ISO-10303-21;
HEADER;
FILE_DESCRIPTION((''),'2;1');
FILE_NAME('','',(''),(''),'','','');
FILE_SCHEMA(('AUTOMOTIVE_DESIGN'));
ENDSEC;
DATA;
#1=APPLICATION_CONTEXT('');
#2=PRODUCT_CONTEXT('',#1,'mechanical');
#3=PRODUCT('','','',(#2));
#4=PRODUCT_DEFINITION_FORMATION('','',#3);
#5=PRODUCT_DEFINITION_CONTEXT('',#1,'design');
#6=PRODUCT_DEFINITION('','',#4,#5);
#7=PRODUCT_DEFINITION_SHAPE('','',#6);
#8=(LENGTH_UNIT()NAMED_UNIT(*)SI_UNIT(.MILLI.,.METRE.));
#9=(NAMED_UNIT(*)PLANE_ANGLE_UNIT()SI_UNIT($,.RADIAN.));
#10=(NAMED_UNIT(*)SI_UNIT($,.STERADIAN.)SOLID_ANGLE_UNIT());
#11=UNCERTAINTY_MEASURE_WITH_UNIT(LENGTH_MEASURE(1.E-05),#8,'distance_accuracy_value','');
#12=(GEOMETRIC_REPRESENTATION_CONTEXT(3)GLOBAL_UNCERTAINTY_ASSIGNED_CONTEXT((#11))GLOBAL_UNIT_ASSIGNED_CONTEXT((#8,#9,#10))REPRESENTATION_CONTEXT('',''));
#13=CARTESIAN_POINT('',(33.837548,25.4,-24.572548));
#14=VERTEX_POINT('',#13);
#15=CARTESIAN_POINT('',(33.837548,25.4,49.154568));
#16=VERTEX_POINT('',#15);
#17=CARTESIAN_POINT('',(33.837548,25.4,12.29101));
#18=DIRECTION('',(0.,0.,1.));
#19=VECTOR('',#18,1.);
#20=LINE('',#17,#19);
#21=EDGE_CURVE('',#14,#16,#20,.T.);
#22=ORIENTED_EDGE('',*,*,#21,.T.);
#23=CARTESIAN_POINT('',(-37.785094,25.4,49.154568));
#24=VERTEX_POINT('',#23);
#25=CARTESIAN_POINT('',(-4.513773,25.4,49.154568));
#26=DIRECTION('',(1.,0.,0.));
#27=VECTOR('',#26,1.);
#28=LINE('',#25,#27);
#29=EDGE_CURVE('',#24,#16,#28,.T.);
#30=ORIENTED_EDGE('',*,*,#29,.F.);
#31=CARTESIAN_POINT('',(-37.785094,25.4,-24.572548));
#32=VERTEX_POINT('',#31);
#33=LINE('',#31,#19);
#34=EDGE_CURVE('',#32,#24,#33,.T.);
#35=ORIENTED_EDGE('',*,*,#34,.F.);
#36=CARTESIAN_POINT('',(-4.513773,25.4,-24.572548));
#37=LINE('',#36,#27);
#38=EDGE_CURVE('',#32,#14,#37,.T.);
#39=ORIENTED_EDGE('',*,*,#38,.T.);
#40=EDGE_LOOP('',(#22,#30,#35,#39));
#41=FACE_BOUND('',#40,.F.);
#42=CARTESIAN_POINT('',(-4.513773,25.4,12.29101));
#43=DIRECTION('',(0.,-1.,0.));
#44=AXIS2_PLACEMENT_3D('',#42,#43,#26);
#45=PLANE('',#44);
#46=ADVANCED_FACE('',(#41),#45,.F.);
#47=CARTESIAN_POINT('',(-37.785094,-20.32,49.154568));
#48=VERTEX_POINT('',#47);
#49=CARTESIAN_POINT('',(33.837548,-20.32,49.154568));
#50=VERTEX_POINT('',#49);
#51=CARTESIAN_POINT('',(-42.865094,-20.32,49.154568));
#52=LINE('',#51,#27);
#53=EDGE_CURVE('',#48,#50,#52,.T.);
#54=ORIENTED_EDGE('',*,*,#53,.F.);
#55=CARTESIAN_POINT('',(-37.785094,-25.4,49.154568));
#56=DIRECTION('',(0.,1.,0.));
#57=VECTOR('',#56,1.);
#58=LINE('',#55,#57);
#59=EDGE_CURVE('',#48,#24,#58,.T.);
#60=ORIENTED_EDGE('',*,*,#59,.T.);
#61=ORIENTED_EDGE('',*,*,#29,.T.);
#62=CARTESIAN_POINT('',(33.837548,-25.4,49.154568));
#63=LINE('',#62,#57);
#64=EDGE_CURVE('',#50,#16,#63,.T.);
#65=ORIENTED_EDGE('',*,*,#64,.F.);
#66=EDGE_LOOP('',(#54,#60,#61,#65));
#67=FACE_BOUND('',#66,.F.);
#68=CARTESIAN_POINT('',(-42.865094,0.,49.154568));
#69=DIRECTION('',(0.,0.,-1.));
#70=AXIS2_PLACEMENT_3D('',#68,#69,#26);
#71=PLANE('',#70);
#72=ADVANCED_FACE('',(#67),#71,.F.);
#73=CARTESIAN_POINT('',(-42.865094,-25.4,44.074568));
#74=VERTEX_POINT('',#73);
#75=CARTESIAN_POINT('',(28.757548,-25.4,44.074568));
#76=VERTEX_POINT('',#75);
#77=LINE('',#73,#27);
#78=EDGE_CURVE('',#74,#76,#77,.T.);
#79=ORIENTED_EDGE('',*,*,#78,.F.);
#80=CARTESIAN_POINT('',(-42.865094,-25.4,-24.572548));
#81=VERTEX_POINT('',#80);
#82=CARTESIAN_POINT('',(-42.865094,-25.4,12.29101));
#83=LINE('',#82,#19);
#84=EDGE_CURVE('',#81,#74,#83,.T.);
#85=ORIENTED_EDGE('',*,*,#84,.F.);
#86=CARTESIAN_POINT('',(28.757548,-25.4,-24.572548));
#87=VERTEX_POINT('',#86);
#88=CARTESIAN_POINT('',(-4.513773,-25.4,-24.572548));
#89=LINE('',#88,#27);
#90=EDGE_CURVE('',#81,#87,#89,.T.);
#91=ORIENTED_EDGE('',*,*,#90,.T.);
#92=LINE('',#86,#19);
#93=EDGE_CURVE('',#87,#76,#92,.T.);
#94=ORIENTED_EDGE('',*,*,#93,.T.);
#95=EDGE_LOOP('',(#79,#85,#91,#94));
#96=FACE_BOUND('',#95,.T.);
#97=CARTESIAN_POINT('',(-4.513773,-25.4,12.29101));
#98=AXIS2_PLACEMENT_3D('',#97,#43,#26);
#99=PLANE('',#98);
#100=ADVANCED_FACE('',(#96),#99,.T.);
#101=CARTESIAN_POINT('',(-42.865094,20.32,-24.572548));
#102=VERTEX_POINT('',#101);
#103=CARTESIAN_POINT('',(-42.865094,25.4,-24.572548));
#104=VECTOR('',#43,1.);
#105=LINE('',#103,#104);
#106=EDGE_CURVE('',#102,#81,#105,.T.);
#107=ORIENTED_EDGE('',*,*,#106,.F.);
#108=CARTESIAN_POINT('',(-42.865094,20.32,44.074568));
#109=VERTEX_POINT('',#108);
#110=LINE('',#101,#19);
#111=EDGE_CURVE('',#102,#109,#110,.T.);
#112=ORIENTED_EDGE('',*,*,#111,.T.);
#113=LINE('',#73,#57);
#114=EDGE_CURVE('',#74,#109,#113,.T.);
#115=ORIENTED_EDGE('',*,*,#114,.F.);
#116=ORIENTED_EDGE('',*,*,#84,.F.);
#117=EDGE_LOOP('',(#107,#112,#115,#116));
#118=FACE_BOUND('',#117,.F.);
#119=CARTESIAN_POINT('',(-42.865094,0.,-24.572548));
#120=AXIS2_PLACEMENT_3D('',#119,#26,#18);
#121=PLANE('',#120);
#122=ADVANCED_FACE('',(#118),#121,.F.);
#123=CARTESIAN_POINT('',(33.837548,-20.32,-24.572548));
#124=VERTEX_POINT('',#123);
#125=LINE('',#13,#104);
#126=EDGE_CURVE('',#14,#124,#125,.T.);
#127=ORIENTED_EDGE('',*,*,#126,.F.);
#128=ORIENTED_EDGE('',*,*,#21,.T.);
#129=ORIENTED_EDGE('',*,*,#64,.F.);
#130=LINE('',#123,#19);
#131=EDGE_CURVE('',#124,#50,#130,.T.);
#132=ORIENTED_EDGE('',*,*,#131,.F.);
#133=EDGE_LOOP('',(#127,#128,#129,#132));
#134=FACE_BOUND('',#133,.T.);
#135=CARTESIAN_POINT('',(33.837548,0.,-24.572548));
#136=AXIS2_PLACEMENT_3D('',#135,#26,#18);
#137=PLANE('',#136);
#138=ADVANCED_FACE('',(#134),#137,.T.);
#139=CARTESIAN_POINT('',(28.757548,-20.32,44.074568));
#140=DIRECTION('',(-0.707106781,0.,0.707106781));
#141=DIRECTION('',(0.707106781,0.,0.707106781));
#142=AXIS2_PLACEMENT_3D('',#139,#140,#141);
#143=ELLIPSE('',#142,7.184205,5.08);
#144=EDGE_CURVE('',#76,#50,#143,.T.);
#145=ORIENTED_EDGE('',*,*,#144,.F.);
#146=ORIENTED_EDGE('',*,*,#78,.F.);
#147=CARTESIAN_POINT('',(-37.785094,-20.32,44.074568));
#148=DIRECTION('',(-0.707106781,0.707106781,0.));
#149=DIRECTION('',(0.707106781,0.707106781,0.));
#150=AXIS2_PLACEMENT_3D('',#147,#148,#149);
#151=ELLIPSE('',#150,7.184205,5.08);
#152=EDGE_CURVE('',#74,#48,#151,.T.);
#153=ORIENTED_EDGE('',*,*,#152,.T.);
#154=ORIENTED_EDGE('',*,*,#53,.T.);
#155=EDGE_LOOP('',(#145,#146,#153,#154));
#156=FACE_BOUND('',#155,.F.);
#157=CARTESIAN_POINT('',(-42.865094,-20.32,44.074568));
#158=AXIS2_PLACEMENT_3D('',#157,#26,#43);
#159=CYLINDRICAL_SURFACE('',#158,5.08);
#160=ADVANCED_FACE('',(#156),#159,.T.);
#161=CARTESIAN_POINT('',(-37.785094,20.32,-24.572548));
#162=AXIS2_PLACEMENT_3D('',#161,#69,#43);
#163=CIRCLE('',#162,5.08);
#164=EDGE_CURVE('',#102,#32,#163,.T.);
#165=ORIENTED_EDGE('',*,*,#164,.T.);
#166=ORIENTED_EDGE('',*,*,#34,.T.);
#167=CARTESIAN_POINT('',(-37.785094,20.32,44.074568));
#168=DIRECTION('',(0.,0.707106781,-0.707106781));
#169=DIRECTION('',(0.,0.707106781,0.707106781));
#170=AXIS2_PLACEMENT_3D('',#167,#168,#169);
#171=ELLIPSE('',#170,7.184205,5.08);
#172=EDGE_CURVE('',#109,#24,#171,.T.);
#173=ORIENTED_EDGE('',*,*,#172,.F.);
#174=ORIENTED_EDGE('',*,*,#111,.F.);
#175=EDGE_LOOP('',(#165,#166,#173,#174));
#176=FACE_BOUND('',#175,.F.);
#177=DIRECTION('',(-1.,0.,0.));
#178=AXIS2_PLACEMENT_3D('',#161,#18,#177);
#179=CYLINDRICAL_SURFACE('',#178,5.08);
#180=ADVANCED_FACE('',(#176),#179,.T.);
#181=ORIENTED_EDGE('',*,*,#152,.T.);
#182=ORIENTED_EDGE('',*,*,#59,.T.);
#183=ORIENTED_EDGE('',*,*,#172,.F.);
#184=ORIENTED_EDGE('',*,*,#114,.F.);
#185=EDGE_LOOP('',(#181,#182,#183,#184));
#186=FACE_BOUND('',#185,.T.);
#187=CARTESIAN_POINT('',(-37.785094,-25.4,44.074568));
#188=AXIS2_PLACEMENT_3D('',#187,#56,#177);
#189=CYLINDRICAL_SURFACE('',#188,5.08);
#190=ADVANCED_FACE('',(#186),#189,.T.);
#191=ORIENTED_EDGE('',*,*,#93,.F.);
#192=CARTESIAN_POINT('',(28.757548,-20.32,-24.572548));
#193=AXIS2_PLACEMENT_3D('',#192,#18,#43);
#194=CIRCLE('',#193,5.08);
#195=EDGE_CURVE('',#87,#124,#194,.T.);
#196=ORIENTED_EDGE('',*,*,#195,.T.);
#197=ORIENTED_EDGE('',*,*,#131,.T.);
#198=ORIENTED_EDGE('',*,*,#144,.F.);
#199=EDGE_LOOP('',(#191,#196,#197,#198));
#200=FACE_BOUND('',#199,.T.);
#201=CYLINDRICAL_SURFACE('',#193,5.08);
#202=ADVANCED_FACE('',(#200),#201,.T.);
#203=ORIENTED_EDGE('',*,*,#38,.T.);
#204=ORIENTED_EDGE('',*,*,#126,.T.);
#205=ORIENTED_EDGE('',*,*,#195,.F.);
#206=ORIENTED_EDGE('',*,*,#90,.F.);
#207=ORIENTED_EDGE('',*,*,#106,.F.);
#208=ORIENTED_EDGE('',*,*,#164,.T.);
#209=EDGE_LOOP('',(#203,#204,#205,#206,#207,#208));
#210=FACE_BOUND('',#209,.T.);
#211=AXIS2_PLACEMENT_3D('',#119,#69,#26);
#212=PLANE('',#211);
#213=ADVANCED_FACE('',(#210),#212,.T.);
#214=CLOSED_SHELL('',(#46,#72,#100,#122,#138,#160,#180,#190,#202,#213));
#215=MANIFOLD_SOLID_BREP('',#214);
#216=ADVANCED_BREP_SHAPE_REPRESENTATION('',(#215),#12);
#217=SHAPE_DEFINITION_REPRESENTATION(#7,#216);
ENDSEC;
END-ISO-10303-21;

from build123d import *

# Parameters (mm, degrees)
F0_W     = 76.702643
F0_H     = 73.727116
F1_DEPTH = 25.4
F2_R     = 5.08


with BuildPart() as f1:
    # F0 (on Front) → F1 (new body, symmetric)
    with BuildSketch(Plane.XZ):
        with Locations((-4.513773, 12.29101)):
            Rectangle(F0_W, F0_H)
    extrude(amount=F1_DEPTH, both=True)

    # F2
    f2_edges = [f1.edges().sort_by_distance(p)[0] for p in [
        (33.837549, -25.4, 12.29101),
        (-4.513772, -25.4, 49.154568),
        (-42.865094, 0, 49.154568),
        (-42.865094, 25.4, 12.29101),
    ]]
    fillet(f2_edges, radius=F2_R)


solid = f1.part
